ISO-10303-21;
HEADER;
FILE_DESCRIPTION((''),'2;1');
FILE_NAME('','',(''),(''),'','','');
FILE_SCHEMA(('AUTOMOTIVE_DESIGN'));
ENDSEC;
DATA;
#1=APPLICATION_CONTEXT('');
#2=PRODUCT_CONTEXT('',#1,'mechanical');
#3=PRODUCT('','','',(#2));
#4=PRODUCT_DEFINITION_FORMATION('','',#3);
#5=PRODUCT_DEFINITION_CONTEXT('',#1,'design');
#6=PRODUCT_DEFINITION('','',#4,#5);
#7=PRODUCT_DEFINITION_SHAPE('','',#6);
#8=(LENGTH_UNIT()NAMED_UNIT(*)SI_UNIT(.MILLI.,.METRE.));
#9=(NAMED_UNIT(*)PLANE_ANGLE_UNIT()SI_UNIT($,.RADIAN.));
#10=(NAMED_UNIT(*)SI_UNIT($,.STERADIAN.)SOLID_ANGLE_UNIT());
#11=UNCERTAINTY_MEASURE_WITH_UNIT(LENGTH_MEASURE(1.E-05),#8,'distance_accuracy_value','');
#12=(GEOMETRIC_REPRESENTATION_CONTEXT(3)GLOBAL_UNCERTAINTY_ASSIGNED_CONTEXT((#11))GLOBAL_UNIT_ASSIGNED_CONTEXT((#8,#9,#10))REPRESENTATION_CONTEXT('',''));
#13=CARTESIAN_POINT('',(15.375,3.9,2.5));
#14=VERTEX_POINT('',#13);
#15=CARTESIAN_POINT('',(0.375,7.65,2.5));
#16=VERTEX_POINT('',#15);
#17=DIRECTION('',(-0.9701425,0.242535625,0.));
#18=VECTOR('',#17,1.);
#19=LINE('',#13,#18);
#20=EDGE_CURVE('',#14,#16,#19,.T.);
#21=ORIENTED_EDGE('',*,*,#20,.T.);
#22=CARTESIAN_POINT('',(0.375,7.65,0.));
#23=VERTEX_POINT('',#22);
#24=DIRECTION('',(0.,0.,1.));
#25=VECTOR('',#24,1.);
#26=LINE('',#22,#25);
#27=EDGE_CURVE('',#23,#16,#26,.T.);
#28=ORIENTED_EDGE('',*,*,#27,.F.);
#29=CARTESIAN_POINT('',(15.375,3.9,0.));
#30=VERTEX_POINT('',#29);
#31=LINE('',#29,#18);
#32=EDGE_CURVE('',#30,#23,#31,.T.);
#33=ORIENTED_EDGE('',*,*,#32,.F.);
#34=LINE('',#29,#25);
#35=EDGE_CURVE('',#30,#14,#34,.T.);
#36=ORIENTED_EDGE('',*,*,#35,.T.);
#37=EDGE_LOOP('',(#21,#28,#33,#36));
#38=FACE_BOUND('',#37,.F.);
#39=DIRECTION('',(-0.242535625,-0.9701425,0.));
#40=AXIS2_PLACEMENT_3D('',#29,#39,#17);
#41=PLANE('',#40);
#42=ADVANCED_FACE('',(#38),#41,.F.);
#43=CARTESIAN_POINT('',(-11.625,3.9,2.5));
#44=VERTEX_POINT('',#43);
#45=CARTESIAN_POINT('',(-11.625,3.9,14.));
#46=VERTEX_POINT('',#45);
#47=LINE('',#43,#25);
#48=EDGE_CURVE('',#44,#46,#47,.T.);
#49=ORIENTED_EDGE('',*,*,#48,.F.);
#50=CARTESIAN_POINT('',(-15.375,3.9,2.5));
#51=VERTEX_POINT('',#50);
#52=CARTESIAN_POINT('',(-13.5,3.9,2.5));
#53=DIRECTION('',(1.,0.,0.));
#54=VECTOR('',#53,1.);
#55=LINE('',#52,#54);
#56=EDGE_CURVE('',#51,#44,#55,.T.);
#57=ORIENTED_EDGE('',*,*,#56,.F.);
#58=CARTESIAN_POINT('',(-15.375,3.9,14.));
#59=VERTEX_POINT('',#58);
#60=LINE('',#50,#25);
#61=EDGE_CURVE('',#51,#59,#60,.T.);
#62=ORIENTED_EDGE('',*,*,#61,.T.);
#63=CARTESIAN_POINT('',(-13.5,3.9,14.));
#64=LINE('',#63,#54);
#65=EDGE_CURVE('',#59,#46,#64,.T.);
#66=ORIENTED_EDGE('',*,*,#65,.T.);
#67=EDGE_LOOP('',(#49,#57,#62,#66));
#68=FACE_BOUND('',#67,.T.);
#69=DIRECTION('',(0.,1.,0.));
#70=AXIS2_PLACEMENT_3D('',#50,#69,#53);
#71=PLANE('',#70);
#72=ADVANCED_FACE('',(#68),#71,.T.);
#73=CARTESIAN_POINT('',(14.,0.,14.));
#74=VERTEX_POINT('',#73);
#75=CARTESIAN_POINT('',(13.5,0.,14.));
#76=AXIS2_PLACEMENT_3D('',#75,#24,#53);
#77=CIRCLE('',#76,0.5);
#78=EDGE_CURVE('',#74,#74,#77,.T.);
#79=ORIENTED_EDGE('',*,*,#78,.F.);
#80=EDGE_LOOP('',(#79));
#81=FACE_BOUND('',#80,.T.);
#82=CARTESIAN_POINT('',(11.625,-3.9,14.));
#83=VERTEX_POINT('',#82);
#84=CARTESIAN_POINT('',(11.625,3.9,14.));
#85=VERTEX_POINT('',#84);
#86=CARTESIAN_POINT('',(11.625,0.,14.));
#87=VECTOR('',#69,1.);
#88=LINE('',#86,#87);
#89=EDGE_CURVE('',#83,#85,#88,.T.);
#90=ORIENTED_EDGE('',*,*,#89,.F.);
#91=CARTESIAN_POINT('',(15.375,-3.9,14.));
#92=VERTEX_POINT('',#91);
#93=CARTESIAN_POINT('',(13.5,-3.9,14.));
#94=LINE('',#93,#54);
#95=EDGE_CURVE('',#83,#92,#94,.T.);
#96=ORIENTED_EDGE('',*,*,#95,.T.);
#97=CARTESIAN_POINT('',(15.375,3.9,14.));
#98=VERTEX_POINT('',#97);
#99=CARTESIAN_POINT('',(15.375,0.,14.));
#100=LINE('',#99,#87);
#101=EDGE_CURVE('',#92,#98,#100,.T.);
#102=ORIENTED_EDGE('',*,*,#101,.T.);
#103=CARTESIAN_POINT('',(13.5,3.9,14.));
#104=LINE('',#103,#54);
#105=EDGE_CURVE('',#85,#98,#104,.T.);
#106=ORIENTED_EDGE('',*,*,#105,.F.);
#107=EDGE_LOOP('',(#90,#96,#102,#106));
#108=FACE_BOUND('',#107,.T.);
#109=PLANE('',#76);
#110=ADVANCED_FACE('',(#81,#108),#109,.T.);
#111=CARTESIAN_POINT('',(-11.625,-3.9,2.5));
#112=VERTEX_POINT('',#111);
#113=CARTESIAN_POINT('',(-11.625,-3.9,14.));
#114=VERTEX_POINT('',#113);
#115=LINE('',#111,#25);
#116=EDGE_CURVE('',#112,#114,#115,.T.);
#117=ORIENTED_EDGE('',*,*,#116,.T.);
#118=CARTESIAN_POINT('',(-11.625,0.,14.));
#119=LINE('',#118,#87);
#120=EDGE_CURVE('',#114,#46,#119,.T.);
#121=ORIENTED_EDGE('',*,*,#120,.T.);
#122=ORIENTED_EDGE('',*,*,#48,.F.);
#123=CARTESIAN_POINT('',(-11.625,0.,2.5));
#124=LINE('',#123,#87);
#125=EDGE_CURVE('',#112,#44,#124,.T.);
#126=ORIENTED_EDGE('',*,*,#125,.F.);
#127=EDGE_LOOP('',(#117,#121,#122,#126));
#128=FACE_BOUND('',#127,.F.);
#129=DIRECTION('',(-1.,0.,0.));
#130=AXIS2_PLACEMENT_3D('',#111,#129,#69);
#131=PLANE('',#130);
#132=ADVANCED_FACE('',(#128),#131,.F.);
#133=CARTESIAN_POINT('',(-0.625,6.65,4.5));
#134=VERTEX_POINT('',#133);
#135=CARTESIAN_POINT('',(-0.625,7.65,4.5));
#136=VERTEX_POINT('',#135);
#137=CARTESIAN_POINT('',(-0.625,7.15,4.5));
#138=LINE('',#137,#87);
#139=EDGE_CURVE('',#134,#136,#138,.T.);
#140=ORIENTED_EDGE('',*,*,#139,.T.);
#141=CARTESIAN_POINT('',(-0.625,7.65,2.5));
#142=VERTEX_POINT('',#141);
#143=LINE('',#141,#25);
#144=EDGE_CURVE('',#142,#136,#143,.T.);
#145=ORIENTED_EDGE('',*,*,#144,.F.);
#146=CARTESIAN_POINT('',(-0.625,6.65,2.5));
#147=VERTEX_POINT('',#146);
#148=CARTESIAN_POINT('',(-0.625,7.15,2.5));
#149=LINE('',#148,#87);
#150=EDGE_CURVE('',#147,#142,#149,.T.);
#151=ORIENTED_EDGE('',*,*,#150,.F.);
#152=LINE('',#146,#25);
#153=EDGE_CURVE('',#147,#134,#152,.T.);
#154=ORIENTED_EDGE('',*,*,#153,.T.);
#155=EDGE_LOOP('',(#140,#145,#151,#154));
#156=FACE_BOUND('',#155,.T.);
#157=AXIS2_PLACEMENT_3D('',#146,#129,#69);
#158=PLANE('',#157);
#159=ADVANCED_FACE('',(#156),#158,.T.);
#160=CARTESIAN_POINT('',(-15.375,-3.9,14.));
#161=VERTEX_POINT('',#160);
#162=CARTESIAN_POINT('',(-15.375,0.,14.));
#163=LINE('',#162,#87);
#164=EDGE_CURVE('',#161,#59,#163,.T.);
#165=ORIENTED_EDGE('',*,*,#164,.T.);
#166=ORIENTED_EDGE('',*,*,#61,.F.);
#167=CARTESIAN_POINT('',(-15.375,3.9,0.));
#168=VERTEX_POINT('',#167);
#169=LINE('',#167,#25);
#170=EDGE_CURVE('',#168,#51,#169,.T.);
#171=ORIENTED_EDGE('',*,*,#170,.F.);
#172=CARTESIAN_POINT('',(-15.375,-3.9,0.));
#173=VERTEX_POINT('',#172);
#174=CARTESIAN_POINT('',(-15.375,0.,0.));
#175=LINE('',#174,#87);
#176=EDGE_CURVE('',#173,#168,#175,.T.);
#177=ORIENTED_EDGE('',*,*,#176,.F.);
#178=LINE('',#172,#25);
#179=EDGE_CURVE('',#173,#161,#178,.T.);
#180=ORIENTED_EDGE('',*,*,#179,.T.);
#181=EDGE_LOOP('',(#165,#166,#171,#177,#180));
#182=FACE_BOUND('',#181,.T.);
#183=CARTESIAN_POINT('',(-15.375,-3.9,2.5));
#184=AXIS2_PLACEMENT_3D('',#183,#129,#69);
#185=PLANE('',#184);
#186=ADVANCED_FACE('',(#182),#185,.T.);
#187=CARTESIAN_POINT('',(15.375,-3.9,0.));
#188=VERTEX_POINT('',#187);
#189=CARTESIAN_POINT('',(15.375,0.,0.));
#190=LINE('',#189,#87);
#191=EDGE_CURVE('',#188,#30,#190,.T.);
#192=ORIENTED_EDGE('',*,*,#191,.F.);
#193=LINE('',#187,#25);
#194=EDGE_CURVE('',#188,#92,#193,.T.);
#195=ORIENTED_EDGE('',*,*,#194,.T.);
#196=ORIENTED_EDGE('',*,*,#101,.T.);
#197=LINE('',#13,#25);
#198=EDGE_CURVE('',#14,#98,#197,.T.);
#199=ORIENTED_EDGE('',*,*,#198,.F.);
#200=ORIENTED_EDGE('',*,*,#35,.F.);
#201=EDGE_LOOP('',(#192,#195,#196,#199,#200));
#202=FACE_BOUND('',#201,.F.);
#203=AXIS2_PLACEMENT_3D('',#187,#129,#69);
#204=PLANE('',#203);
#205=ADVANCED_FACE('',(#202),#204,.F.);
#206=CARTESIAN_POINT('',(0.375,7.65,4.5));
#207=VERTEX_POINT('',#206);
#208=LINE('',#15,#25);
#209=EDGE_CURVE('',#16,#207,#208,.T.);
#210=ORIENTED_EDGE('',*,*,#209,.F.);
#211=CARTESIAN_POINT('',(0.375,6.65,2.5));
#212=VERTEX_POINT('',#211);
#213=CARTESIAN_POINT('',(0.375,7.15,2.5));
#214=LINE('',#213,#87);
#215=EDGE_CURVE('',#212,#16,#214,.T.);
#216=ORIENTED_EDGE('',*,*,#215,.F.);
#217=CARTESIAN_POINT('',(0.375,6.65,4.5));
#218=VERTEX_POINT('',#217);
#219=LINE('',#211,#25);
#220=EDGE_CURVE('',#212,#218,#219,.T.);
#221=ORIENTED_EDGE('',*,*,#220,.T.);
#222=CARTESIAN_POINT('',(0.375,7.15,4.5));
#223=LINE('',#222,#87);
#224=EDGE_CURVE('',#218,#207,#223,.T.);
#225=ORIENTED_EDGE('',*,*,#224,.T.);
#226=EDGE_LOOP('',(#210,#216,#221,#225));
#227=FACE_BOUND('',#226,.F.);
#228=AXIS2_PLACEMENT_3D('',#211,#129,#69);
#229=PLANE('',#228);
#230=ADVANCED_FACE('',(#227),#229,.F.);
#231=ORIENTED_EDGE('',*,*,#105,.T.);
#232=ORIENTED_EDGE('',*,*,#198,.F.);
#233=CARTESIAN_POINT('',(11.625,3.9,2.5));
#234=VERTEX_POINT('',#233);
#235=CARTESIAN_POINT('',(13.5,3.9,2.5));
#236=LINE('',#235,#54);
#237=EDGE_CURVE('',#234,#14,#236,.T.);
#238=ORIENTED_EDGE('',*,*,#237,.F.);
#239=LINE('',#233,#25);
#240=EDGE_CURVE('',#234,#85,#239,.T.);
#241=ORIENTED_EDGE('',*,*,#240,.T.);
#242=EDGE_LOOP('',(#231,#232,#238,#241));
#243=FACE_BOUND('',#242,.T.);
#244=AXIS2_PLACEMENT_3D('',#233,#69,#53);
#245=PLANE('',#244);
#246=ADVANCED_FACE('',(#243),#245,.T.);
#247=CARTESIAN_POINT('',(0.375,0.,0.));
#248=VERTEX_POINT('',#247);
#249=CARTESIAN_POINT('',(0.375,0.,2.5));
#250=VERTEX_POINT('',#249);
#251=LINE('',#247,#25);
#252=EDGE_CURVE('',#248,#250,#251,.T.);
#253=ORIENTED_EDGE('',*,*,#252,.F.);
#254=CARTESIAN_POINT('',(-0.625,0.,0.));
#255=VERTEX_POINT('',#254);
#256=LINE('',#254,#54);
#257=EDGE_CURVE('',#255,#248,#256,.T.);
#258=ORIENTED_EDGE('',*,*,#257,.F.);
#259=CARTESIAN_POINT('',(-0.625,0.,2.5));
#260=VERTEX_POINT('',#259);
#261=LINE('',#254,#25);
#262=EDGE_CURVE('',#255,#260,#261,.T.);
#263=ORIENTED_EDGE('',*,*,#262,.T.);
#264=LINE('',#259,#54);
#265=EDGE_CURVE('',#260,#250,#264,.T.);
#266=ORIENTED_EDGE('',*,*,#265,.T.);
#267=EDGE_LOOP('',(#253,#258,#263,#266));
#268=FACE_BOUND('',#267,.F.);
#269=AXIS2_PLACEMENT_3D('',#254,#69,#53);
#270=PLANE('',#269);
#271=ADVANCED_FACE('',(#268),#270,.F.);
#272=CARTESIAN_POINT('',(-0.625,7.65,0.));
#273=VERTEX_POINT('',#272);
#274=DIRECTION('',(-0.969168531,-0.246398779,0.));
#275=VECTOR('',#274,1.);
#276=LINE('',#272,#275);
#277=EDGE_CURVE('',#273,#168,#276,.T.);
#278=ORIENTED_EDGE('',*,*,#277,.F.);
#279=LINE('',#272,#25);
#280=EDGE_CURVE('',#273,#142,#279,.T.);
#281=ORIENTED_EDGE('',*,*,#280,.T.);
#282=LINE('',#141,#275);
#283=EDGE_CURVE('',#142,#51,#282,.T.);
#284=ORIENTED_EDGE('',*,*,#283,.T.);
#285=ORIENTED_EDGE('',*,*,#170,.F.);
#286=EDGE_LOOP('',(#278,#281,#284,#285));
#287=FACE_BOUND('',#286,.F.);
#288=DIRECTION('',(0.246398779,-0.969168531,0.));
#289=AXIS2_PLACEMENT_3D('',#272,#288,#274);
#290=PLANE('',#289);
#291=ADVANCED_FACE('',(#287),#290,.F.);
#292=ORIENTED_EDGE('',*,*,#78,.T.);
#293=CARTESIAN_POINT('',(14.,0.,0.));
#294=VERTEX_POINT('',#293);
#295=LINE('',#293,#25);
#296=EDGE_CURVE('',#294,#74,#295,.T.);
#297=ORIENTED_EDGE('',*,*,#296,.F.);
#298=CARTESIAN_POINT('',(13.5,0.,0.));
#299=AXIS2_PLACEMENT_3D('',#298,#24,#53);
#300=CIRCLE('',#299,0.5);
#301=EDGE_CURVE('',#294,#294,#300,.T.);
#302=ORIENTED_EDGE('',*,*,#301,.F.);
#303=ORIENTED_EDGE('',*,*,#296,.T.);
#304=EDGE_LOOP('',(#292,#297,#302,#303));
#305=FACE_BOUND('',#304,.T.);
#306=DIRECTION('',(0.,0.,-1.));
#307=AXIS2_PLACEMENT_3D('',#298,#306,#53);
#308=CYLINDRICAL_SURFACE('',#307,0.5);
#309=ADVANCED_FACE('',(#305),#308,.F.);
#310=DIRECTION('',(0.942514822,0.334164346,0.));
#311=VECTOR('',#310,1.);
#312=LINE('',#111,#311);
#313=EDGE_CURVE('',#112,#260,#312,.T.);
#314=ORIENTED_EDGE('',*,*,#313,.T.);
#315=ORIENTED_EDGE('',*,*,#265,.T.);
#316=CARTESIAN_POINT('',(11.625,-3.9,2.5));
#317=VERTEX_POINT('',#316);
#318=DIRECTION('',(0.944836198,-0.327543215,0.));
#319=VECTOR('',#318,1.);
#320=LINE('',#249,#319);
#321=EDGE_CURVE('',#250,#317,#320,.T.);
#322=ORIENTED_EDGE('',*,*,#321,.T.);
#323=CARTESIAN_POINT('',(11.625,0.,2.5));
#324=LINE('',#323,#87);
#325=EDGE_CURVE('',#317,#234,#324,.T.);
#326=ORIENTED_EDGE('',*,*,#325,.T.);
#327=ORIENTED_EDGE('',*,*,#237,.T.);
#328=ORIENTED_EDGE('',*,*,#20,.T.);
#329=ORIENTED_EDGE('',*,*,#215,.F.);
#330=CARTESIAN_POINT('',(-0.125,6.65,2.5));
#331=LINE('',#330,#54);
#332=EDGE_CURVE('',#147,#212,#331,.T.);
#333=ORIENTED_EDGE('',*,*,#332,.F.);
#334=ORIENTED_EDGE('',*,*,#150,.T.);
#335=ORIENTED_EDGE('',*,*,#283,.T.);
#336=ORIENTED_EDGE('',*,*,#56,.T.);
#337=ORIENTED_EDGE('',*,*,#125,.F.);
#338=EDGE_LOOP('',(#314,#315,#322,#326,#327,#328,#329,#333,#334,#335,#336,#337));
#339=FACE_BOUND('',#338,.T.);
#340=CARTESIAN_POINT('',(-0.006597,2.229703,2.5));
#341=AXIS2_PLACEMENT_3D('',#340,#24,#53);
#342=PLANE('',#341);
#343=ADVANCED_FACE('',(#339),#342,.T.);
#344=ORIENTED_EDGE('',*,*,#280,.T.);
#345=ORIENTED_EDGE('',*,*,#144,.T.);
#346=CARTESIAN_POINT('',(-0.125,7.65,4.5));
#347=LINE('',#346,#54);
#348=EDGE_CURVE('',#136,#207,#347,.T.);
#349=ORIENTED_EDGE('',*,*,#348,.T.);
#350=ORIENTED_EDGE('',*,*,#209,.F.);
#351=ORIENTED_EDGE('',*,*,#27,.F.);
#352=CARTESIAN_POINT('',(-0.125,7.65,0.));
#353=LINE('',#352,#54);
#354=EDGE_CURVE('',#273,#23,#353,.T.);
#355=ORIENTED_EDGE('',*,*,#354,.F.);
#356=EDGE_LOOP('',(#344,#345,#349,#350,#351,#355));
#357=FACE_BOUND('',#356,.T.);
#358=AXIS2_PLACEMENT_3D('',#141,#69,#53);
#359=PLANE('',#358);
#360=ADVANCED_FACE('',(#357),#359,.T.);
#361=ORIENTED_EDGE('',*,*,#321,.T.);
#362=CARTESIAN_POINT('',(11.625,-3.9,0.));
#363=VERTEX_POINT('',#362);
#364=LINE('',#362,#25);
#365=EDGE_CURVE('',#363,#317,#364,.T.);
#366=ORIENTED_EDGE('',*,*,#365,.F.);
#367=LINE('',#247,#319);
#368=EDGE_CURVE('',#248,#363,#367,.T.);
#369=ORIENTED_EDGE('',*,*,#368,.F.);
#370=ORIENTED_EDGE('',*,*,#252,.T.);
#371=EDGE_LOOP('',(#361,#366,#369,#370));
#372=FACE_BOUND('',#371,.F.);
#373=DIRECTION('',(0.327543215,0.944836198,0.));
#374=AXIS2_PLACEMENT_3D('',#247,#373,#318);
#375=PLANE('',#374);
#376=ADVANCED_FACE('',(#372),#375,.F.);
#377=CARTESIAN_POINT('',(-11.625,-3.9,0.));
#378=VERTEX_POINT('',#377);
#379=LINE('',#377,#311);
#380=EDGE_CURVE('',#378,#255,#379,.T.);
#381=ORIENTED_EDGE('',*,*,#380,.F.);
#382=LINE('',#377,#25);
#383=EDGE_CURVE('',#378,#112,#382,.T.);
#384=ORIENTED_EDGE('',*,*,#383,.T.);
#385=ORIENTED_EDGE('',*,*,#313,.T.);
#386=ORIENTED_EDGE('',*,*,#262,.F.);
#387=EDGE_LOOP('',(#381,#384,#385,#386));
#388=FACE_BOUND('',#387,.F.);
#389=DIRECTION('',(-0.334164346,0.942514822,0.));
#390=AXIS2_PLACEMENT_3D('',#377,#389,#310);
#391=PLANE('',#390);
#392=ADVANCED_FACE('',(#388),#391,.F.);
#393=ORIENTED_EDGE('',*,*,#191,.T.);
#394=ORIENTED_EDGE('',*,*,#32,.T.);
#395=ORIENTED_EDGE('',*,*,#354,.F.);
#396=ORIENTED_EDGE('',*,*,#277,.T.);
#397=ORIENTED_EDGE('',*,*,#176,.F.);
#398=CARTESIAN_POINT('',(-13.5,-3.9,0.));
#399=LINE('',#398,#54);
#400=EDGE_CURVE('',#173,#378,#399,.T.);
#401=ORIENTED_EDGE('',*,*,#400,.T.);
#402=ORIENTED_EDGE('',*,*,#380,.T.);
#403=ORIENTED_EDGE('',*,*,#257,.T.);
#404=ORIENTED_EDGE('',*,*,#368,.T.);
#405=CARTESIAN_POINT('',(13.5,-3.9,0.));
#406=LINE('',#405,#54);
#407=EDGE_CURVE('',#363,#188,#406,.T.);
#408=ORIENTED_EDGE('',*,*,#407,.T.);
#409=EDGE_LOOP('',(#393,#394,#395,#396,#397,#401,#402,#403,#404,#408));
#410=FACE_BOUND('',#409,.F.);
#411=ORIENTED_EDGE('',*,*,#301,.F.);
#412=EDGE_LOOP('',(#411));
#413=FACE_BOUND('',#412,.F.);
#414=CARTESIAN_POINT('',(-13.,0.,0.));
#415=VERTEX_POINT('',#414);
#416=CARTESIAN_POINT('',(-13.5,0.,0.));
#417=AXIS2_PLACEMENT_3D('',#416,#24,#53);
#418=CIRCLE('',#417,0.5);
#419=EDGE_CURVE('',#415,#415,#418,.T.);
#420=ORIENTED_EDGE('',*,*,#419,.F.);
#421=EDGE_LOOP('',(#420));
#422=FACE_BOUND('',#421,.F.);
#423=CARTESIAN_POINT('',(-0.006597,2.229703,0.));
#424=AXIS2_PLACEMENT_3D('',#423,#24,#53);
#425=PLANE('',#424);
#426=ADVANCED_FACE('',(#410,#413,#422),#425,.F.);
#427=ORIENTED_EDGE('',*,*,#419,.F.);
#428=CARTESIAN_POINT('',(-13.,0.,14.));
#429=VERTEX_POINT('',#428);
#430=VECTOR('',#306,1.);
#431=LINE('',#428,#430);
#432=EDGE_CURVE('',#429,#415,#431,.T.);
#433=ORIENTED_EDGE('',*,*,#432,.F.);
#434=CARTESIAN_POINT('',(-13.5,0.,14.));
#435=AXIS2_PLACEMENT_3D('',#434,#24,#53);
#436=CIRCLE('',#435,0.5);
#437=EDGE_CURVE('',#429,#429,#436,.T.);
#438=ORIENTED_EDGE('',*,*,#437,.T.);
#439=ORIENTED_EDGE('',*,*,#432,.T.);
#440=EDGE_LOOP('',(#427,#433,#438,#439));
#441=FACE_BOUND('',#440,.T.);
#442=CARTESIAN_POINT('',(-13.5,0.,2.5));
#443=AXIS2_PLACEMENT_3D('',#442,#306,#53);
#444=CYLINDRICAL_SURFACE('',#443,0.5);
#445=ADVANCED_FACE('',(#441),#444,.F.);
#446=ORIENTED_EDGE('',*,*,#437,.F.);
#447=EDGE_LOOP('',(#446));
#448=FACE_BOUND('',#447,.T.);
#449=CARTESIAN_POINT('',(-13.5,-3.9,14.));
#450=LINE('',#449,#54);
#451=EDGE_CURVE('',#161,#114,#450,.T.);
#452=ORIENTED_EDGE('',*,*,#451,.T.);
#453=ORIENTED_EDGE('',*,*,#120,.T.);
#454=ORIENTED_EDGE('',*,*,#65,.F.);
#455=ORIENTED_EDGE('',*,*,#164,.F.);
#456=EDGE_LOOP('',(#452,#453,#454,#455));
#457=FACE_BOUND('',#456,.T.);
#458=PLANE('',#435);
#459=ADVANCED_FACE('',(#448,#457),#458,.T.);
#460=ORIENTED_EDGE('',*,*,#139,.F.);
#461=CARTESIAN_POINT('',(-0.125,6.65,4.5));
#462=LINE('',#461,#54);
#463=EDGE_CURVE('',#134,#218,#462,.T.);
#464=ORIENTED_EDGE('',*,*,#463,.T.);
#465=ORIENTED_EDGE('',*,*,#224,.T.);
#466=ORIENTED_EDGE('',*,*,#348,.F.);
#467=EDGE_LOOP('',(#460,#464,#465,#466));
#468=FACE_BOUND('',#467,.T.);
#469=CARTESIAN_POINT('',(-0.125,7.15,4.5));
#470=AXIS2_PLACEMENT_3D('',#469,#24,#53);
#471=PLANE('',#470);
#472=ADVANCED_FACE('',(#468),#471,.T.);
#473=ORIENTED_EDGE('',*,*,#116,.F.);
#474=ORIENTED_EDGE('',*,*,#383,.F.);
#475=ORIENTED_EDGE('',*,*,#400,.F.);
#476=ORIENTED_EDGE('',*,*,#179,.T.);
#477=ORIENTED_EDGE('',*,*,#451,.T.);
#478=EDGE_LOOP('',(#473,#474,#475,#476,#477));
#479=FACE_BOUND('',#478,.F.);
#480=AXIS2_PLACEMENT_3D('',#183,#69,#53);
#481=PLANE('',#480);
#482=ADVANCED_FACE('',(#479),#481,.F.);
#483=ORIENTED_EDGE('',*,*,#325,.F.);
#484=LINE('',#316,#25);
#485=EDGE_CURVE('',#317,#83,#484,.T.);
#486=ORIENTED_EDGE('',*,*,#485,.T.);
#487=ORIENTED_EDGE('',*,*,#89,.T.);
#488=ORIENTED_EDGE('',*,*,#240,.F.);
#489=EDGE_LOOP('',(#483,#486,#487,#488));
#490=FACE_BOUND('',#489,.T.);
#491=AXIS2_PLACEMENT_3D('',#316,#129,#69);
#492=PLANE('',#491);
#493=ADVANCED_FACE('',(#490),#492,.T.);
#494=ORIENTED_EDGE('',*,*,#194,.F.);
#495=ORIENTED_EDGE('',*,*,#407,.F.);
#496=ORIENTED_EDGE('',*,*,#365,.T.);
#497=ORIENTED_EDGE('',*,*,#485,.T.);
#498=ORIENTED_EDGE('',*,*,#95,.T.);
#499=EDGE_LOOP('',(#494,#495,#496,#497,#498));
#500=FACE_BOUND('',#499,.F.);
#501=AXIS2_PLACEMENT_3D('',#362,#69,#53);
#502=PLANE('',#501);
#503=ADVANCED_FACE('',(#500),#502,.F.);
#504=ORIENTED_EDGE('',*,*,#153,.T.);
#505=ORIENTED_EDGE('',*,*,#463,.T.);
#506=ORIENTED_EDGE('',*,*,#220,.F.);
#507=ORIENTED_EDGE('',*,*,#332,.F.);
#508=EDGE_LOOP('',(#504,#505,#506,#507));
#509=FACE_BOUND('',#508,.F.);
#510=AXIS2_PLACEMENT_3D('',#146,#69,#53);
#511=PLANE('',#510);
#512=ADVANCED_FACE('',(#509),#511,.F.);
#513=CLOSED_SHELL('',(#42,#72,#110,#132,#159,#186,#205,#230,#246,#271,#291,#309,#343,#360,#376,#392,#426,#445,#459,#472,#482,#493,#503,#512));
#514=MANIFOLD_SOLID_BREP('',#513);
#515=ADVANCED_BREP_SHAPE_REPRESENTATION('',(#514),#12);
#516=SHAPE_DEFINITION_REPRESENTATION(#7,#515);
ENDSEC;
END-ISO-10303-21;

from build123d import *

# Parameters (mm, degrees)
F0_W     = 1
F0_H     = 1
F0_W_2   = 3.75
F0_H_2   = 7.8
F0_R     = 0.5
F1_DEPTH = 2.5
F2_W     = 3.75
F2_H     = 7.8
F2_R     = 0.5
F3_DEPTH = 11.5
F4_W     = 1
F4_H     = 1
F5_DEPTH = 2


with BuildPart() as f1:
    # F0 (on Top) → F1 (new body)
    with BuildSketch(Plane.XY):
        Polygon((-15.375, 3.9), (-11.625, 3.9), (-11.625, -3.9), (-0.625, 0), (0.375, 0), (11.625, -3.9), (11.625, 3.9), (15.375, 3.9), (0.375, 7.65), (0.375, 6.65), (-0.625, 6.65), (-0.625, 7.65), align=None)
        with Locations((-0.125, 7.15)):
            Rectangle(F0_W, F0_H)
        with Locations((-13.5, 0)):
            Rectangle(F0_W_2, F0_H_2)
        with Locations((-13.5, 0)):
            Circle(F0_R, mode=Mode.SUBTRACT)
        with Locations((13.5, 0)):
            Rectangle(F0_W_2, F0_H_2)
        with Locations((13.5, 0)):
            Circle(F0_R, mode=Mode.SUBTRACT)
    extrude(amount=F1_DEPTH)

    # F2 (on face) → F3 (join)
    with BuildSketch(Plane.XY.offset(2.5)):
        with Locations((-13.5, 0)):
            Rectangle(F2_W, F2_H)
        with Locations((-13.5, 0)):
            Circle(F2_R, mode=Mode.SUBTRACT)
        with Locations((13.5, 0)):
            Rectangle(F2_W, F2_H)
        with Locations((13.5, 0)):
            Circle(F2_R, mode=Mode.SUBTRACT)
    extrude(amount=F3_DEPTH)

    # F4 (on face) → F5 (join)
    with BuildSketch(Plane.XY.offset(2.5)):
        with Locations((-0.125, 7.15)):
            Rectangle(F4_W, F4_H)
    extrude(amount=F5_DEPTH)


solid = f1.part
